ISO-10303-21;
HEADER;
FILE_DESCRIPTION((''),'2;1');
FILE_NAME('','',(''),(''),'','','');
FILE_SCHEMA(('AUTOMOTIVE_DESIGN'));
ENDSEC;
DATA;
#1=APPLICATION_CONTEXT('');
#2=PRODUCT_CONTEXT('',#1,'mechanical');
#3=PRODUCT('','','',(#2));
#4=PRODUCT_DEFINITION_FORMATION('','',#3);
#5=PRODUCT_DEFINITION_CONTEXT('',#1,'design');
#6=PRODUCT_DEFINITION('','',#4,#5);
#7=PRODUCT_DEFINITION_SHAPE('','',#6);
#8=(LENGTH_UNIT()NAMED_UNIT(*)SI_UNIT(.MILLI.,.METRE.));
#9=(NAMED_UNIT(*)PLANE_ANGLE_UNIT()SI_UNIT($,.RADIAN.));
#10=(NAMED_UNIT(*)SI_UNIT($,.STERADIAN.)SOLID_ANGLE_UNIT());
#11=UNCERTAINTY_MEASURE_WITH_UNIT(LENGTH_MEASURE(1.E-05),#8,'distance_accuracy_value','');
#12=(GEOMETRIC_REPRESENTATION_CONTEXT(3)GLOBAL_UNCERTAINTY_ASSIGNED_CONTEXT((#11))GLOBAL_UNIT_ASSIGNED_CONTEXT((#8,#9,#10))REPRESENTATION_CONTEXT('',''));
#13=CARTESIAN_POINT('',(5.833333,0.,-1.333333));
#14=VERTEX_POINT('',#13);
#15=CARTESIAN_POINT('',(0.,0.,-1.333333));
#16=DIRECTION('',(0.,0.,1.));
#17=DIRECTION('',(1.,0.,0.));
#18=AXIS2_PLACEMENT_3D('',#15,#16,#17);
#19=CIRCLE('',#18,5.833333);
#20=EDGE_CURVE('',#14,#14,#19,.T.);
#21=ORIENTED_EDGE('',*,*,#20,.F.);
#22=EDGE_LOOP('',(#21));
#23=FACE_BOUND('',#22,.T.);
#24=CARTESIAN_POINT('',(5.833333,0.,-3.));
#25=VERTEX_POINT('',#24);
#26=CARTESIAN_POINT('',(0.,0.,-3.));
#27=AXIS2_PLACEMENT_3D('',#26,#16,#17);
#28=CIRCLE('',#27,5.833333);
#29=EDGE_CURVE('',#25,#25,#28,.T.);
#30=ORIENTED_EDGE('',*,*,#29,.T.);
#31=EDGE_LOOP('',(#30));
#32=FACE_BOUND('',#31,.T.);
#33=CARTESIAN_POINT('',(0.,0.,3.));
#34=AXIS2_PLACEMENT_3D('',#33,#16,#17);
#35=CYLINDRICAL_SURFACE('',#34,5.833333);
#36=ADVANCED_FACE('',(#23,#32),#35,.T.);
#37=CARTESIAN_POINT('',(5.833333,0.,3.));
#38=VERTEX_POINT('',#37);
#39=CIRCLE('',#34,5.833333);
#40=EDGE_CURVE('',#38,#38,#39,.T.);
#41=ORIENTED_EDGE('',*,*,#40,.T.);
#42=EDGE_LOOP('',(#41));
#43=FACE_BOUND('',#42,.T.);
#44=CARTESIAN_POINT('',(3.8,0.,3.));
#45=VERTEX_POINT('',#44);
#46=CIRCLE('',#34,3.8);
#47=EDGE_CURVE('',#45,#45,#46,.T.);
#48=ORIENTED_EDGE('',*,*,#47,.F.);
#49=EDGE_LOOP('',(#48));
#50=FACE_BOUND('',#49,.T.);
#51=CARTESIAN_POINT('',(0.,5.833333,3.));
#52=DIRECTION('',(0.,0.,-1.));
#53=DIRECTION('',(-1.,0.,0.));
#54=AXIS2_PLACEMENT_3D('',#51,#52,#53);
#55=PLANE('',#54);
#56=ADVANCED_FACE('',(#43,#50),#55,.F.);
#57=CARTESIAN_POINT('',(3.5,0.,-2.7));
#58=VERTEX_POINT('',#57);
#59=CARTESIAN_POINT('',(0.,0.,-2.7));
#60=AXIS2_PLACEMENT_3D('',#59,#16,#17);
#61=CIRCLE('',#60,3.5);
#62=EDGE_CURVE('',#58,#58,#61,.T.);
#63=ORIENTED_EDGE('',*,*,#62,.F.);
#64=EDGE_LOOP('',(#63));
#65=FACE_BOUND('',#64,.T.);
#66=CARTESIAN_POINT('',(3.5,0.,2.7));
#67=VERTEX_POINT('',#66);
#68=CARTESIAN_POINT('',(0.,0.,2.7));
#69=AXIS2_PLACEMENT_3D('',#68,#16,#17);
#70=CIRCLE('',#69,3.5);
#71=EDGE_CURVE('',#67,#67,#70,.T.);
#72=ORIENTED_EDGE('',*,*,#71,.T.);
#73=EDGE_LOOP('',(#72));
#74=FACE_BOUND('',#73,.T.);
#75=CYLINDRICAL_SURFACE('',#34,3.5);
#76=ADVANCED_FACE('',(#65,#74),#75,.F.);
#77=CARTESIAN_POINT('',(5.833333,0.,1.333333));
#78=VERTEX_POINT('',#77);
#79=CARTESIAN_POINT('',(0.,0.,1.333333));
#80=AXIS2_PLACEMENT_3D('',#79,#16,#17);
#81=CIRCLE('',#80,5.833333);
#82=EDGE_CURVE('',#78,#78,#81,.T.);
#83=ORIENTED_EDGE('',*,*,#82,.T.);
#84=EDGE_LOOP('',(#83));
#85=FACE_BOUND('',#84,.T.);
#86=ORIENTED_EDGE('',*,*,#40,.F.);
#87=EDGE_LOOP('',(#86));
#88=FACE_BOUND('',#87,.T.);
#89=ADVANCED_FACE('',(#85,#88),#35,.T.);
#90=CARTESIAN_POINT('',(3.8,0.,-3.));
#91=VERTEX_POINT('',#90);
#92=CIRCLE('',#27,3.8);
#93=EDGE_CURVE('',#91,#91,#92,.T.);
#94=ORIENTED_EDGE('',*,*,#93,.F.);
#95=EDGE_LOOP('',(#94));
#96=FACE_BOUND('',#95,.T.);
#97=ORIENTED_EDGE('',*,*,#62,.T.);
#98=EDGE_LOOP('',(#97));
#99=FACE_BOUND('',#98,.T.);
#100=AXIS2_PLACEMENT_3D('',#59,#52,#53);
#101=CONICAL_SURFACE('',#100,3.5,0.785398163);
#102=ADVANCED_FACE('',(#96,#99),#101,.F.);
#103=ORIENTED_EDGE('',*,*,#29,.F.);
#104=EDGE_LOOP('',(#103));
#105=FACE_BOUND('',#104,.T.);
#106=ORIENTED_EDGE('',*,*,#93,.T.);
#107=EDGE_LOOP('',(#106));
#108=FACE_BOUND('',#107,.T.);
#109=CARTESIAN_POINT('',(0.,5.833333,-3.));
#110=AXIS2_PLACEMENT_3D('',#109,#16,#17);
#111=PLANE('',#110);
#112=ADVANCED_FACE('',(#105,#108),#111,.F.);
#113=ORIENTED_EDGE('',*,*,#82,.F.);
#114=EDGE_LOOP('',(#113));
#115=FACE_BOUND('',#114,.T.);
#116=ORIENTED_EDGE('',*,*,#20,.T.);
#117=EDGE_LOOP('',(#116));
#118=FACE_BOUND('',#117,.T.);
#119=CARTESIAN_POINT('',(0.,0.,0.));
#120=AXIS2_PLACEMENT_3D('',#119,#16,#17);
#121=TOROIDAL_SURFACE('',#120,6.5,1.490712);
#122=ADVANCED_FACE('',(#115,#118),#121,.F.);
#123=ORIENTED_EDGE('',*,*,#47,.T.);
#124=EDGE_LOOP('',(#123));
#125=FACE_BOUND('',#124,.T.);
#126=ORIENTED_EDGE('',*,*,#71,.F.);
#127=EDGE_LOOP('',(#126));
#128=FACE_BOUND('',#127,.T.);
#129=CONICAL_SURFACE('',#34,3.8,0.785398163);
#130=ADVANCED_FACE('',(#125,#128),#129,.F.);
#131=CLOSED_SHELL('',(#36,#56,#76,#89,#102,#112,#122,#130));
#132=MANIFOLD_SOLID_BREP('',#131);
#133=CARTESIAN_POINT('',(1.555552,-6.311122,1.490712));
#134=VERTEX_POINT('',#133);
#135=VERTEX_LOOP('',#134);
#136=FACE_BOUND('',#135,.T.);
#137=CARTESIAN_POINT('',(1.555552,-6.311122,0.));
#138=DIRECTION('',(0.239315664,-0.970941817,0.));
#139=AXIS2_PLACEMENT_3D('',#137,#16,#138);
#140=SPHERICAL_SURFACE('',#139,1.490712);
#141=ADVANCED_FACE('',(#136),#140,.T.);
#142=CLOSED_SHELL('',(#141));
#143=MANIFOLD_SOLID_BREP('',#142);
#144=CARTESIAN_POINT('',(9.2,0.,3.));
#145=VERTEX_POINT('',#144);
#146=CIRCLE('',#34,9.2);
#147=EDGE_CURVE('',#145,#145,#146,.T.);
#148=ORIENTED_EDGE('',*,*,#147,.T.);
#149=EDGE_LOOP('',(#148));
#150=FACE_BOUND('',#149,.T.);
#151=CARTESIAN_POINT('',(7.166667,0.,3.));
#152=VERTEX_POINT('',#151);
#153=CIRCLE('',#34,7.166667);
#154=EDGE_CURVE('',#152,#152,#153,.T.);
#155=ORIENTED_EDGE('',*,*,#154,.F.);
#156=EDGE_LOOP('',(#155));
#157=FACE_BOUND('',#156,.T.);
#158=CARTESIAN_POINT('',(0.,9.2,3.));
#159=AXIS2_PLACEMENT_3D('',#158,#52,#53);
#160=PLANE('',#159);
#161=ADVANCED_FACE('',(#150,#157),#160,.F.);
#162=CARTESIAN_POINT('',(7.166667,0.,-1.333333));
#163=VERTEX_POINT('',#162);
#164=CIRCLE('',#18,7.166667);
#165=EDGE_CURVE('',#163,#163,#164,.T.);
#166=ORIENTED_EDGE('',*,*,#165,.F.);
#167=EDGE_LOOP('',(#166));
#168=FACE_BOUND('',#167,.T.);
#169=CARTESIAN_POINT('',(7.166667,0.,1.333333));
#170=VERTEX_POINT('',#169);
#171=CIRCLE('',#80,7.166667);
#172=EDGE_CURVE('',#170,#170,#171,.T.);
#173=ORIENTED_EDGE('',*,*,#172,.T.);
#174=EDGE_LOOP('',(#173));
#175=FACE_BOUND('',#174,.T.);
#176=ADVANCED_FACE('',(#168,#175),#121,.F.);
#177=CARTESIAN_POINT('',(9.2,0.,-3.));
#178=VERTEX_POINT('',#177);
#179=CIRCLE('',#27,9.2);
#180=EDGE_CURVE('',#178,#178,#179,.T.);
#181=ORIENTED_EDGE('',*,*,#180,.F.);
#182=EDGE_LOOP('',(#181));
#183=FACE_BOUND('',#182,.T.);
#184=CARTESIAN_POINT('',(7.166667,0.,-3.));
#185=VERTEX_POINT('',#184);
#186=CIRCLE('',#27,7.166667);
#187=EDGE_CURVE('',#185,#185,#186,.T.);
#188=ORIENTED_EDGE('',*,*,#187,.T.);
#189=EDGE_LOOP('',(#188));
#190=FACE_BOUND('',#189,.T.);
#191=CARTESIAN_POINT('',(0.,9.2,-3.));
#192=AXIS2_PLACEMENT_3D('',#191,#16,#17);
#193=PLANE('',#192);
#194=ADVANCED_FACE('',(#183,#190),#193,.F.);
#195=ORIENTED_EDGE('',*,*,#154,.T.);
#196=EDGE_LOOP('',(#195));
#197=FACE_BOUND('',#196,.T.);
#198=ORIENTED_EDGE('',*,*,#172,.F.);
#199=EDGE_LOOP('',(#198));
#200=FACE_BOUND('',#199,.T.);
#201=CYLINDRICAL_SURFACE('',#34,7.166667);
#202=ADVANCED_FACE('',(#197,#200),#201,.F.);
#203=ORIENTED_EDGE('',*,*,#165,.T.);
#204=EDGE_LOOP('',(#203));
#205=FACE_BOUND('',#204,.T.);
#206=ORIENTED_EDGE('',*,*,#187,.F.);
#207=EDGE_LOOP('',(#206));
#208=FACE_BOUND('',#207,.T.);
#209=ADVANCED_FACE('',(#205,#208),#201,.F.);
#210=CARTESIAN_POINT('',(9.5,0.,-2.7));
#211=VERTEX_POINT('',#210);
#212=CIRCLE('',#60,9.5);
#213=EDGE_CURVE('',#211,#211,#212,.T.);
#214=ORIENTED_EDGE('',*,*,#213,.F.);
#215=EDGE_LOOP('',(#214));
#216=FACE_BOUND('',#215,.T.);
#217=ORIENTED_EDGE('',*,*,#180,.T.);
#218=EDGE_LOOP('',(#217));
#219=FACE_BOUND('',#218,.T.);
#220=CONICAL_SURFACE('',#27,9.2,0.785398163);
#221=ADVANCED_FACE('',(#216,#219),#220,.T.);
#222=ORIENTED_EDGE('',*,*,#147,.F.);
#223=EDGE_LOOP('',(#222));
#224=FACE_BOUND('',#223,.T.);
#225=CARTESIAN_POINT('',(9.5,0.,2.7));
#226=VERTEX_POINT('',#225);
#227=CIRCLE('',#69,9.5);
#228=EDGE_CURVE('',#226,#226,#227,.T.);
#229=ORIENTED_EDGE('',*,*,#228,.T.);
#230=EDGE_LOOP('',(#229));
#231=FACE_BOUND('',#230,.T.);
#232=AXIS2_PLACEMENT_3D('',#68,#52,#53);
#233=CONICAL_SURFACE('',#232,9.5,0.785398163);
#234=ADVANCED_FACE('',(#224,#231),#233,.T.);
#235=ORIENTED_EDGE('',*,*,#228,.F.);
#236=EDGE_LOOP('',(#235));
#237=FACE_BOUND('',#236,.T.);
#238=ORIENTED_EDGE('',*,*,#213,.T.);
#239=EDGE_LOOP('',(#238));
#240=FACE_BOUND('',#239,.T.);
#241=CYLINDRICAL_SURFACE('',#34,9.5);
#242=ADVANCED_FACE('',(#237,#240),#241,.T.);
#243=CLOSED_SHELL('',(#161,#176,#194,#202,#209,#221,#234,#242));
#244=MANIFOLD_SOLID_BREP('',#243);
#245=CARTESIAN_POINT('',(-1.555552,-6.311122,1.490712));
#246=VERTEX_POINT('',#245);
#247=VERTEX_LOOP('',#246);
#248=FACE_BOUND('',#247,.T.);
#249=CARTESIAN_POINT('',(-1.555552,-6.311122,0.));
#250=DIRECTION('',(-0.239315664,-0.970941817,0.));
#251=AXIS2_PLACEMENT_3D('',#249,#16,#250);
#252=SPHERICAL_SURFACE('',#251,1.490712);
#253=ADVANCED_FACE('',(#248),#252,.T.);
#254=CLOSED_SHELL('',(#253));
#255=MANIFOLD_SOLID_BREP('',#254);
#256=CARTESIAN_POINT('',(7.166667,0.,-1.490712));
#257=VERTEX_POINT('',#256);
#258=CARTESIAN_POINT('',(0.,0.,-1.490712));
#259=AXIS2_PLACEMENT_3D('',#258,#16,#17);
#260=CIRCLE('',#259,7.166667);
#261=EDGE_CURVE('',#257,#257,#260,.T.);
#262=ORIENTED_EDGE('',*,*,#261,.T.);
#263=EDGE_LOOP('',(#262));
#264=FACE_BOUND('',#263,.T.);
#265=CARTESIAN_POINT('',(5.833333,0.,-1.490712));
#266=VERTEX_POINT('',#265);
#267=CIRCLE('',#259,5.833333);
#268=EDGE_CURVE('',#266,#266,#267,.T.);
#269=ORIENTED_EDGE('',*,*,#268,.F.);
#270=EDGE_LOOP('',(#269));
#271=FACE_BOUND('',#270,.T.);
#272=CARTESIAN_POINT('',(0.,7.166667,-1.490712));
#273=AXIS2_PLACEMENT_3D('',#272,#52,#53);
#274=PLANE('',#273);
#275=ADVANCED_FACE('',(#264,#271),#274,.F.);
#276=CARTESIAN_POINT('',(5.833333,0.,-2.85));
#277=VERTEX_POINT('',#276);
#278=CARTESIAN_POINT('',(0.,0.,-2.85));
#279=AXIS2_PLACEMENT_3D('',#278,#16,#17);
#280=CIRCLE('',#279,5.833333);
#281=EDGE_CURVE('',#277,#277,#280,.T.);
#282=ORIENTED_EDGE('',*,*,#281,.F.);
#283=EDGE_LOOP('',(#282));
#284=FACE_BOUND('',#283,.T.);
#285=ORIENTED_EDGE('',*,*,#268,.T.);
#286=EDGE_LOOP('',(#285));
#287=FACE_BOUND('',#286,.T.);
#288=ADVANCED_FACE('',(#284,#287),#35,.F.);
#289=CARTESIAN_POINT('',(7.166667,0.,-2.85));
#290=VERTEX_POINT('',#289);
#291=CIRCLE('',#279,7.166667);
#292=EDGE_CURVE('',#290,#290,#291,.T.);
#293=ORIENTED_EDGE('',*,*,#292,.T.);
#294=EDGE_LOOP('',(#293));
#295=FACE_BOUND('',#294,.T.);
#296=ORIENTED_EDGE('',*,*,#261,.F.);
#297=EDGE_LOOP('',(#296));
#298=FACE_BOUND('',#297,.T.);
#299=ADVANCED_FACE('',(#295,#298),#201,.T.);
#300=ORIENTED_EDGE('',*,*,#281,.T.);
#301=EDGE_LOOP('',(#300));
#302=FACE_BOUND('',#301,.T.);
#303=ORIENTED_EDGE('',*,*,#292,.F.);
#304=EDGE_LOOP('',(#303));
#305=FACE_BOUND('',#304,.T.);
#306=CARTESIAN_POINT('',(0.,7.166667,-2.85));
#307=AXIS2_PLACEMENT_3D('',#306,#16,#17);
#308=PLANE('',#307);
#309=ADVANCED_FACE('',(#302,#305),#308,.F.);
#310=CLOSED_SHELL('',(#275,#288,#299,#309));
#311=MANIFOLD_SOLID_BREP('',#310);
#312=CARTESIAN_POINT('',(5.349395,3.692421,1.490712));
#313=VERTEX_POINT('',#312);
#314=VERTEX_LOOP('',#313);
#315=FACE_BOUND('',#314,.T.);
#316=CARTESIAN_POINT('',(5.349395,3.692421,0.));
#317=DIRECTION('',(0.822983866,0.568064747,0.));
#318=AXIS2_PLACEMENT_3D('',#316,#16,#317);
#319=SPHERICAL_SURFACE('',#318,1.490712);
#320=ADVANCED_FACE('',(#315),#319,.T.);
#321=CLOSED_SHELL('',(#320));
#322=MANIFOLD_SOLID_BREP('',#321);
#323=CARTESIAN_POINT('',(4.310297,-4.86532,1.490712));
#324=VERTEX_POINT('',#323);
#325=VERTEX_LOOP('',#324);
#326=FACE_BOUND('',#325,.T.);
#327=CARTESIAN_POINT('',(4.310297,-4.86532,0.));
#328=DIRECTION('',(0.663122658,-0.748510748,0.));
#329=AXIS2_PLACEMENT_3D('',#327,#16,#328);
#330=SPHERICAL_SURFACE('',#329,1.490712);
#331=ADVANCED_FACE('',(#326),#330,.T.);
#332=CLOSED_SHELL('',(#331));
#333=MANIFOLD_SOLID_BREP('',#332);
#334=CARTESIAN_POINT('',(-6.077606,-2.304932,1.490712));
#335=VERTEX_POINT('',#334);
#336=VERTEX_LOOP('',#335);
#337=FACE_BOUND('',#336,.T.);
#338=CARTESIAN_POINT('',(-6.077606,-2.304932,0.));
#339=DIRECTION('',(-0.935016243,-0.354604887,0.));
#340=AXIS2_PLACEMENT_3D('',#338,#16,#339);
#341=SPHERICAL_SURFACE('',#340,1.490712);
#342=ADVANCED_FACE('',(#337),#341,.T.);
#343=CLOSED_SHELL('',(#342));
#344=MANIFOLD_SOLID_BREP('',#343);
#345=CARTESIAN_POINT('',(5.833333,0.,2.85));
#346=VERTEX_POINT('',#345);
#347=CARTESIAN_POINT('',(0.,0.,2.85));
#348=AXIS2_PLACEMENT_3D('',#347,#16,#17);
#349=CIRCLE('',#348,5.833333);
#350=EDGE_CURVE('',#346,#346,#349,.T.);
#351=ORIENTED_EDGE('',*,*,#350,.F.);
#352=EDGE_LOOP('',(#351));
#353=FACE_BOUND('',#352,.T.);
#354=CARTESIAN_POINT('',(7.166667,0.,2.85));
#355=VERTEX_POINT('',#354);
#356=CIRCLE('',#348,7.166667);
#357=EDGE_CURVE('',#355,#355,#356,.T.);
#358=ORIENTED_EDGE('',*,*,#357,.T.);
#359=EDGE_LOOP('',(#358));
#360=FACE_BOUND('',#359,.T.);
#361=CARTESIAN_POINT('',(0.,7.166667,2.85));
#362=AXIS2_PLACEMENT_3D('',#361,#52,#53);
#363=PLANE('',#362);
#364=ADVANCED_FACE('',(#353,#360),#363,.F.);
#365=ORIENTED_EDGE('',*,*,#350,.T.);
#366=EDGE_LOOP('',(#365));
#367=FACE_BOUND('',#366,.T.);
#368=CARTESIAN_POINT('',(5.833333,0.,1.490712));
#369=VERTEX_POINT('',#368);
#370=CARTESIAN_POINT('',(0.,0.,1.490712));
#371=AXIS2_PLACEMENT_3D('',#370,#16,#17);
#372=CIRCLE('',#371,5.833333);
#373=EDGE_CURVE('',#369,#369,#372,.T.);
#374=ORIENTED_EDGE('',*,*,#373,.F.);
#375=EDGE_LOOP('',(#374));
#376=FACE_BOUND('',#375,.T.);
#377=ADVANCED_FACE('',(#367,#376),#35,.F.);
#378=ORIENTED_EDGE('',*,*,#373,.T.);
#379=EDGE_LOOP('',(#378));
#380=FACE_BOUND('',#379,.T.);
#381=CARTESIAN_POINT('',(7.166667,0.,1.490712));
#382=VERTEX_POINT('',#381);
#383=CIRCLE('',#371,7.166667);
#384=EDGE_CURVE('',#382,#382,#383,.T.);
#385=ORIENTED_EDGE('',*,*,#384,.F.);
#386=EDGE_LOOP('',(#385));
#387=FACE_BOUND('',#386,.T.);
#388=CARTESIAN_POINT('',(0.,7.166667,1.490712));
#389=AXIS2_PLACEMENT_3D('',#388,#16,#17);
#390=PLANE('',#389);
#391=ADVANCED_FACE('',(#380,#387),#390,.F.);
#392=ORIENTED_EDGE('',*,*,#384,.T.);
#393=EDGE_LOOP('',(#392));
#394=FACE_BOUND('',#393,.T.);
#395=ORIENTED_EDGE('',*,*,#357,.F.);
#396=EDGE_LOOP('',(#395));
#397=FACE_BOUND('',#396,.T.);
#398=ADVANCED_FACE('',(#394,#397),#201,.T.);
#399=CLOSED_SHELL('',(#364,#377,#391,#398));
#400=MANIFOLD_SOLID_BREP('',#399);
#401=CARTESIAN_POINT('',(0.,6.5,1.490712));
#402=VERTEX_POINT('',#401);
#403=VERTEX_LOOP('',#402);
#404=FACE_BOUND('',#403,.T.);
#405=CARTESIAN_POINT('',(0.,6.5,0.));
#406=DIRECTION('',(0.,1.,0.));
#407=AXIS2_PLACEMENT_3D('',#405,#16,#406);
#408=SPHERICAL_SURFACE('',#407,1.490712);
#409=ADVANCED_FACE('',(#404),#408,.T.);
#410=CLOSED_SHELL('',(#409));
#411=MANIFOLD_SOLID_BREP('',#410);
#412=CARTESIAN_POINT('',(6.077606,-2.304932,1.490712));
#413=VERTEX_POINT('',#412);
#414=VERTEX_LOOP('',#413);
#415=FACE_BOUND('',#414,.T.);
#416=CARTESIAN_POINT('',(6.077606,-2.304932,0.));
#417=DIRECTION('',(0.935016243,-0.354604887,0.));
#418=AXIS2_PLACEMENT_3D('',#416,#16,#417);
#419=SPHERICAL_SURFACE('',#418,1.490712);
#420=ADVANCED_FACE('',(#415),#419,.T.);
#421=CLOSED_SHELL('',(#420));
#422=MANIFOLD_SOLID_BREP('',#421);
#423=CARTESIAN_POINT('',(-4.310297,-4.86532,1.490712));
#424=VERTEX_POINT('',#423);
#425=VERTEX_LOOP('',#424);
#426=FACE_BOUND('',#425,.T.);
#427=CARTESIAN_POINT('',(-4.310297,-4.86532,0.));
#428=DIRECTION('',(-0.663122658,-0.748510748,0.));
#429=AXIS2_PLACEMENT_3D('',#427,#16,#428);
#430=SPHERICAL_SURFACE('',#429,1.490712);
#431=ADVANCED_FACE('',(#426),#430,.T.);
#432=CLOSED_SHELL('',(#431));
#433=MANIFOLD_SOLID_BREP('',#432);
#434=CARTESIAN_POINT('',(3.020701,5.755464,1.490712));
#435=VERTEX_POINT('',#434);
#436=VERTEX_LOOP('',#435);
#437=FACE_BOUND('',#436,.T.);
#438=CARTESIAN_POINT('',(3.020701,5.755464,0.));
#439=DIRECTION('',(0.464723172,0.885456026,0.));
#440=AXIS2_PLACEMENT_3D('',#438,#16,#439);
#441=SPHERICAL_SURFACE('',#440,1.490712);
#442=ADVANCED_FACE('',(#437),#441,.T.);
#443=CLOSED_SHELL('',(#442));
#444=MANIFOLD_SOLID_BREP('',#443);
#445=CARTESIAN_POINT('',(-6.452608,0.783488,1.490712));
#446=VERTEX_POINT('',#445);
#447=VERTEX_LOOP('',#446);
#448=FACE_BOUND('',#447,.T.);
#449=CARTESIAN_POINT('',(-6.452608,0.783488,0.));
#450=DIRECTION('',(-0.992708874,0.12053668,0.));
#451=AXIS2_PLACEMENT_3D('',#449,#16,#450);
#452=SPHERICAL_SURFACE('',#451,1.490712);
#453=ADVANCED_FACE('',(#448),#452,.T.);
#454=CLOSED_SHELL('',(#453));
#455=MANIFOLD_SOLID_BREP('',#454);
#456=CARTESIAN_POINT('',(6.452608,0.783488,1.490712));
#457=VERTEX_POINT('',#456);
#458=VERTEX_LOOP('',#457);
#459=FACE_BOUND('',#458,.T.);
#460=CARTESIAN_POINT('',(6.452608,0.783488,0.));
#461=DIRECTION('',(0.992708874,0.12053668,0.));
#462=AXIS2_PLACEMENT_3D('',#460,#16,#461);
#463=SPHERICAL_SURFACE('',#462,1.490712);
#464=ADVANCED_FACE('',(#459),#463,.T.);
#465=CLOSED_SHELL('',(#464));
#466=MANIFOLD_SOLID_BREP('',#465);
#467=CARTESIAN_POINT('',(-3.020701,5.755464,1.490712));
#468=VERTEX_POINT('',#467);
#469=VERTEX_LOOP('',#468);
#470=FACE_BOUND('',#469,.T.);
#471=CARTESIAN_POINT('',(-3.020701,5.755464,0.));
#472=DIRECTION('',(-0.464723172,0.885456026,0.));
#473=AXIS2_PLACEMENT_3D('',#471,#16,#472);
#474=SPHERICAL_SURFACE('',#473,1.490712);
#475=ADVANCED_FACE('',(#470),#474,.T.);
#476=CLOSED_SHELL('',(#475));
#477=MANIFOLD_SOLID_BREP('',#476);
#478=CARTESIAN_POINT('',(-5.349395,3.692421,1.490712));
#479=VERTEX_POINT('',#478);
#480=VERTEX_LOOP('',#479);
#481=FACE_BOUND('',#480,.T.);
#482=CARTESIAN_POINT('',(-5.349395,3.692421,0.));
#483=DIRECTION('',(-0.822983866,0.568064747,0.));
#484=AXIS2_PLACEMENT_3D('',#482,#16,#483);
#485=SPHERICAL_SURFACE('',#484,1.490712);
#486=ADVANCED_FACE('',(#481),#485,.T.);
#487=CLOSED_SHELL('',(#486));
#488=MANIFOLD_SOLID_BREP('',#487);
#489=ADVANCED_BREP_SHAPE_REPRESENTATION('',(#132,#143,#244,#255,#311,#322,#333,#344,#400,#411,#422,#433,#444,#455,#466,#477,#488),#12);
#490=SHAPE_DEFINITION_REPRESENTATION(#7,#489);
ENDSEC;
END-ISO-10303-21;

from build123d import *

# Parameters (mm, degrees)
CIRPATTERN1_COUNT = 13
SKETCH5_W         = 1.359288015
SKETCH5_H         = 1.333333334


with BuildPart() as part:
    # Sketch1 → Revolve1 (revolve)
    with BuildSketch(Plane(origin=(0, 0, 0), x_dir=(0, 0, -1), z_dir=(1, 0, 0))):
        with BuildLine():
            Line((2.7, 9.5), (-2.7, 9.5))
            Line((-2.7, 9.5), (-3, 9.2))
            Line((-3, 9.2), (-3, 7.166666667))
            Line((-3, 7.166666667), (-1.333333333, 7.166666667))
            ThreePointArc((-1.333333333, 7.166666667), (0, 7.990711985), (1.333333333, 7.166666667))
            Line((1.333333333, 7.166666667), (3, 7.166666667))
            Line((3, 7.166666667), (3, 9.2))
            Line((3, 9.2), (2.7, 9.5))
        make_face()
    revolve(axis=Axis((0, 0, 3), (0, 0, -1)))


with BuildPart() as body_2:
    # Sketch2 → Revolve2 (revolve)
    with BuildSketch(Plane(origin=(0, 0, 0), x_dir=(0, 0, -1), z_dir=(1, 0, 0))):
        with BuildLine():
            Line((-3, 5.833333333), (-1.333333333, 5.833333333))
            ThreePointArc((-1.333333333, 5.833333333), (0, 5.009288015), (1.333333333, 5.833333333))
            Line((1.333333333, 5.833333333), (3, 5.833333333))
            Line((3, 5.833333333), (3, 3.8))
            Line((3, 3.8), (2.7, 3.5))
            Line((2.7, 3.5), (-2.7, 3.5))
            Line((-2.7, 3.5), (-3, 3.8))
            Line((-3, 3.8), (-3, 5.833333333))
        make_face()
    revolve(axis=Axis((0, 0, 3), (0, 0, -1)))


with BuildPart() as body_3:
    # Sketch3 → Revolve3 (revolve)
    with BuildSketch(Plane(origin=(0, 0, 0), x_dir=(0, 0, -1), z_dir=(1, 0, 0))):
        with BuildLine():
            Line((-1.490711985, 6.5), (1.490711985, 6.5))
            ThreePointArc((1.490711985, 6.5), (0, 7.990711985), (-1.490711985, 6.5))
        make_face()
    revolve(axis=Axis((0, 6.5, 1.490711985), (0, 0, -1)))


with BuildPart() as cirpattern1_1:
    # CirPattern1: pattern copy
    add(body_3.part.rotate(Axis((0, 0, -3), (0, 0, 1)), 1 * 360 / CIRPATTERN1_COUNT))


with BuildPart() as cirpattern1_2:
    # CirPattern1: pattern copy
    add(body_3.part.rotate(Axis((0, 0, -3), (0, 0, 1)), 2 * 360 / CIRPATTERN1_COUNT))


with BuildPart() as cirpattern1_3:
    # CirPattern1: pattern copy
    add(body_3.part.rotate(Axis((0, 0, -3), (0, 0, 1)), 3 * 360 / CIRPATTERN1_COUNT))


with BuildPart() as cirpattern1_4:
    # CirPattern1: pattern copy
    add(body_3.part.rotate(Axis((0, 0, -3), (0, 0, 1)), 4 * 360 / CIRPATTERN1_COUNT))


with BuildPart() as cirpattern1_5:
    # CirPattern1: pattern copy
    add(body_3.part.rotate(Axis((0, 0, -3), (0, 0, 1)), 5 * 360 / CIRPATTERN1_COUNT))


with BuildPart() as cirpattern1_6:
    # CirPattern1: pattern copy
    add(body_3.part.rotate(Axis((0, 0, -3), (0, 0, 1)), 6 * 360 / CIRPATTERN1_COUNT))


with BuildPart() as cirpattern1_7:
    # CirPattern1: pattern copy
    add(body_3.part.rotate(Axis((0, 0, -3), (0, 0, 1)), 7 * 360 / CIRPATTERN1_COUNT))


with BuildPart() as cirpattern1_8:
    # CirPattern1: pattern copy
    add(body_3.part.rotate(Axis((0, 0, -3), (0, 0, 1)), 8 * 360 / CIRPATTERN1_COUNT))


with BuildPart() as cirpattern1_9:
    # CirPattern1: pattern copy
    add(body_3.part.rotate(Axis((0, 0, -3), (0, 0, 1)), 9 * 360 / CIRPATTERN1_COUNT))


with BuildPart() as cirpattern1_10:
    # CirPattern1: pattern copy
    add(body_3.part.rotate(Axis((0, 0, -3), (0, 0, 1)), 10 * 360 / CIRPATTERN1_COUNT))


with BuildPart() as cirpattern1_11:
    # CirPattern1: pattern copy
    add(body_3.part.rotate(Axis((0, 0, -3), (0, 0, 1)), 11 * 360 / CIRPATTERN1_COUNT))


with BuildPart() as cirpattern1_12:
    # CirPattern1: pattern copy
    add(body_3.part.rotate(Axis((0, 0, -3), (0, 0, 1)), 12 * 360 / CIRPATTERN1_COUNT))


with BuildPart() as body_16:
    # Sketch5 → Revolve5 (revolve)
    with BuildSketch(Plane(origin=(0, 0, 0), x_dir=(0, 0, -1), z_dir=(1, 0, 0))):
        with Locations((-2.170355993, 6.5)):
            Rectangle(SKETCH5_W, SKETCH5_H)
        with Locations((2.170355993, 6.5)):
            Rectangle(SKETCH5_W, SKETCH5_H)
    revolve(axis=Axis((0, 0, 3), (0, 0, -1)))


solid = Compound([part.part, body_2.part, body_3.part, cirpattern1_1.part, cirpattern1_2.part, cirpattern1_3.part, cirpattern1_4.part, cirpattern1_5.part, cirpattern1_6.part, cirpattern1_7.part, cirpattern1_8.part, cirpattern1_9.part, cirpattern1_10.part, cirpattern1_11.part, cirpattern1_12.part, body_16.part])
